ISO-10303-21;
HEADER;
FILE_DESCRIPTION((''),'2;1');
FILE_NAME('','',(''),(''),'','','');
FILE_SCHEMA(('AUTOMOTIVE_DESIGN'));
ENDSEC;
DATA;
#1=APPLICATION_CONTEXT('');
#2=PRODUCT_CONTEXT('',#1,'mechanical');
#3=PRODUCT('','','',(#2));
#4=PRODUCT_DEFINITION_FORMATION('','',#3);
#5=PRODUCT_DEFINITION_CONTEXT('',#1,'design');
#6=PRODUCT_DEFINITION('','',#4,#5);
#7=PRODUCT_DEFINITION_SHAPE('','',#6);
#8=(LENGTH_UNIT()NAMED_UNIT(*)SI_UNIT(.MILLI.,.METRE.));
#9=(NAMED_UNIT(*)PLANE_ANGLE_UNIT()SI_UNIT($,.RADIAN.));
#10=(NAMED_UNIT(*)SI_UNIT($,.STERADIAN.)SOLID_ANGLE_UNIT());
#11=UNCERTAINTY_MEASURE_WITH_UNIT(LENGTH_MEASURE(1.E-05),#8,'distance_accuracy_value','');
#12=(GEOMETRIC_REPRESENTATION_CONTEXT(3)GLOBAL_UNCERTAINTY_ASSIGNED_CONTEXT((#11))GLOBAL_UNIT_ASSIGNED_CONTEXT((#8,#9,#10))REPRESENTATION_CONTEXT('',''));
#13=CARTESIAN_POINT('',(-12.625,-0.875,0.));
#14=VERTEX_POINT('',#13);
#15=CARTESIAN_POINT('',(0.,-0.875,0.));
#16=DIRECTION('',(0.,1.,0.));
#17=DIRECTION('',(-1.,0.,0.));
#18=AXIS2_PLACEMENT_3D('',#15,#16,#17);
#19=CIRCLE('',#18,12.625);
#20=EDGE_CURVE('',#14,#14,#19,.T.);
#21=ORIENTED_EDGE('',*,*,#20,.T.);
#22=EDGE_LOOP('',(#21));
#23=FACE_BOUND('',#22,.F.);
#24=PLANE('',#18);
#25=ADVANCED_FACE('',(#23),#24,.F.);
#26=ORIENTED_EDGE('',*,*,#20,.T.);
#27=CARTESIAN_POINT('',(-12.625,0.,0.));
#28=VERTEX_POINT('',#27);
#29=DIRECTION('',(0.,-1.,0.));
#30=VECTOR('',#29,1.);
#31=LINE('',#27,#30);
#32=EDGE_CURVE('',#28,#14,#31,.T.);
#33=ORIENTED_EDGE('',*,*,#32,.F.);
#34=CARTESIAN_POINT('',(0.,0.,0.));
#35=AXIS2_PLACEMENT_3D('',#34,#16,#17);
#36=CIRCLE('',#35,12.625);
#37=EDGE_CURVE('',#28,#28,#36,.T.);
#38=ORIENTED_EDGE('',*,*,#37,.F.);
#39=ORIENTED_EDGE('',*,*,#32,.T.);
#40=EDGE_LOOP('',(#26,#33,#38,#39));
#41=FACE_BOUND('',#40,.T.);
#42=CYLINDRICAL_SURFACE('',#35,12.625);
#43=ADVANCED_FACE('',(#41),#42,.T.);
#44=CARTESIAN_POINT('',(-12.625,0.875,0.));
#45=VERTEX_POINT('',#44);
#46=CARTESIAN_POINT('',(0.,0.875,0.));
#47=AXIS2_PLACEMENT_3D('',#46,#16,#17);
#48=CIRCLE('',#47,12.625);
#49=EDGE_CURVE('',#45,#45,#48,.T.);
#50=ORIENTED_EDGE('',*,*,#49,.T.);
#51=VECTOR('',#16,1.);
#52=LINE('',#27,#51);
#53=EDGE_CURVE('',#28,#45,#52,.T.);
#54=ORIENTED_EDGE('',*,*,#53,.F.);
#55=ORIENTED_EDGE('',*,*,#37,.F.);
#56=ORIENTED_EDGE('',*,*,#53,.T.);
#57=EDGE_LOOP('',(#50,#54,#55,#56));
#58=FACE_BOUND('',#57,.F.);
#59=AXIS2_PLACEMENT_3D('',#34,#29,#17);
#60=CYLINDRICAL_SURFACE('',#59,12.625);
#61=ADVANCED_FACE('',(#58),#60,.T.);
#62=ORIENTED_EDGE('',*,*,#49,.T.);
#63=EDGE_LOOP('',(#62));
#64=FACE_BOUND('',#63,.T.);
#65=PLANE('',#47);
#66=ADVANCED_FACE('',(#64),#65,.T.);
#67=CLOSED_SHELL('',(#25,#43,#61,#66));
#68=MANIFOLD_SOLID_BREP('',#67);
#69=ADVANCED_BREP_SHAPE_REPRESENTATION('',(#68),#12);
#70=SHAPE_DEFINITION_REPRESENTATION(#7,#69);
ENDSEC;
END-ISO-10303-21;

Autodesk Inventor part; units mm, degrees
ref_plane "YZ Plane" through (0, 0, 0) normal (1, 0, 0) x (0, 1, 0)
ref_plane "XZ Plane" through (0, 0, 0) normal (0, 1, 0) x (-1, 0, 0)
ref_plane "XY Plane" through (0, 0, 0) normal (0, 0, 1) x (1, 0, 0)
sketch "Sketch1" plane through (0, 0, 0) normal (0, 1, 0) x (-1, 0, 0)
  circle A0 centre (0, 0) radius 12.625
  dimension "d0" = 25.25
extrude "Extrusion1" add sketch "Sketch1" along normal mid plane 1.75
properties part number "Frontier_Single" material "Paper"
